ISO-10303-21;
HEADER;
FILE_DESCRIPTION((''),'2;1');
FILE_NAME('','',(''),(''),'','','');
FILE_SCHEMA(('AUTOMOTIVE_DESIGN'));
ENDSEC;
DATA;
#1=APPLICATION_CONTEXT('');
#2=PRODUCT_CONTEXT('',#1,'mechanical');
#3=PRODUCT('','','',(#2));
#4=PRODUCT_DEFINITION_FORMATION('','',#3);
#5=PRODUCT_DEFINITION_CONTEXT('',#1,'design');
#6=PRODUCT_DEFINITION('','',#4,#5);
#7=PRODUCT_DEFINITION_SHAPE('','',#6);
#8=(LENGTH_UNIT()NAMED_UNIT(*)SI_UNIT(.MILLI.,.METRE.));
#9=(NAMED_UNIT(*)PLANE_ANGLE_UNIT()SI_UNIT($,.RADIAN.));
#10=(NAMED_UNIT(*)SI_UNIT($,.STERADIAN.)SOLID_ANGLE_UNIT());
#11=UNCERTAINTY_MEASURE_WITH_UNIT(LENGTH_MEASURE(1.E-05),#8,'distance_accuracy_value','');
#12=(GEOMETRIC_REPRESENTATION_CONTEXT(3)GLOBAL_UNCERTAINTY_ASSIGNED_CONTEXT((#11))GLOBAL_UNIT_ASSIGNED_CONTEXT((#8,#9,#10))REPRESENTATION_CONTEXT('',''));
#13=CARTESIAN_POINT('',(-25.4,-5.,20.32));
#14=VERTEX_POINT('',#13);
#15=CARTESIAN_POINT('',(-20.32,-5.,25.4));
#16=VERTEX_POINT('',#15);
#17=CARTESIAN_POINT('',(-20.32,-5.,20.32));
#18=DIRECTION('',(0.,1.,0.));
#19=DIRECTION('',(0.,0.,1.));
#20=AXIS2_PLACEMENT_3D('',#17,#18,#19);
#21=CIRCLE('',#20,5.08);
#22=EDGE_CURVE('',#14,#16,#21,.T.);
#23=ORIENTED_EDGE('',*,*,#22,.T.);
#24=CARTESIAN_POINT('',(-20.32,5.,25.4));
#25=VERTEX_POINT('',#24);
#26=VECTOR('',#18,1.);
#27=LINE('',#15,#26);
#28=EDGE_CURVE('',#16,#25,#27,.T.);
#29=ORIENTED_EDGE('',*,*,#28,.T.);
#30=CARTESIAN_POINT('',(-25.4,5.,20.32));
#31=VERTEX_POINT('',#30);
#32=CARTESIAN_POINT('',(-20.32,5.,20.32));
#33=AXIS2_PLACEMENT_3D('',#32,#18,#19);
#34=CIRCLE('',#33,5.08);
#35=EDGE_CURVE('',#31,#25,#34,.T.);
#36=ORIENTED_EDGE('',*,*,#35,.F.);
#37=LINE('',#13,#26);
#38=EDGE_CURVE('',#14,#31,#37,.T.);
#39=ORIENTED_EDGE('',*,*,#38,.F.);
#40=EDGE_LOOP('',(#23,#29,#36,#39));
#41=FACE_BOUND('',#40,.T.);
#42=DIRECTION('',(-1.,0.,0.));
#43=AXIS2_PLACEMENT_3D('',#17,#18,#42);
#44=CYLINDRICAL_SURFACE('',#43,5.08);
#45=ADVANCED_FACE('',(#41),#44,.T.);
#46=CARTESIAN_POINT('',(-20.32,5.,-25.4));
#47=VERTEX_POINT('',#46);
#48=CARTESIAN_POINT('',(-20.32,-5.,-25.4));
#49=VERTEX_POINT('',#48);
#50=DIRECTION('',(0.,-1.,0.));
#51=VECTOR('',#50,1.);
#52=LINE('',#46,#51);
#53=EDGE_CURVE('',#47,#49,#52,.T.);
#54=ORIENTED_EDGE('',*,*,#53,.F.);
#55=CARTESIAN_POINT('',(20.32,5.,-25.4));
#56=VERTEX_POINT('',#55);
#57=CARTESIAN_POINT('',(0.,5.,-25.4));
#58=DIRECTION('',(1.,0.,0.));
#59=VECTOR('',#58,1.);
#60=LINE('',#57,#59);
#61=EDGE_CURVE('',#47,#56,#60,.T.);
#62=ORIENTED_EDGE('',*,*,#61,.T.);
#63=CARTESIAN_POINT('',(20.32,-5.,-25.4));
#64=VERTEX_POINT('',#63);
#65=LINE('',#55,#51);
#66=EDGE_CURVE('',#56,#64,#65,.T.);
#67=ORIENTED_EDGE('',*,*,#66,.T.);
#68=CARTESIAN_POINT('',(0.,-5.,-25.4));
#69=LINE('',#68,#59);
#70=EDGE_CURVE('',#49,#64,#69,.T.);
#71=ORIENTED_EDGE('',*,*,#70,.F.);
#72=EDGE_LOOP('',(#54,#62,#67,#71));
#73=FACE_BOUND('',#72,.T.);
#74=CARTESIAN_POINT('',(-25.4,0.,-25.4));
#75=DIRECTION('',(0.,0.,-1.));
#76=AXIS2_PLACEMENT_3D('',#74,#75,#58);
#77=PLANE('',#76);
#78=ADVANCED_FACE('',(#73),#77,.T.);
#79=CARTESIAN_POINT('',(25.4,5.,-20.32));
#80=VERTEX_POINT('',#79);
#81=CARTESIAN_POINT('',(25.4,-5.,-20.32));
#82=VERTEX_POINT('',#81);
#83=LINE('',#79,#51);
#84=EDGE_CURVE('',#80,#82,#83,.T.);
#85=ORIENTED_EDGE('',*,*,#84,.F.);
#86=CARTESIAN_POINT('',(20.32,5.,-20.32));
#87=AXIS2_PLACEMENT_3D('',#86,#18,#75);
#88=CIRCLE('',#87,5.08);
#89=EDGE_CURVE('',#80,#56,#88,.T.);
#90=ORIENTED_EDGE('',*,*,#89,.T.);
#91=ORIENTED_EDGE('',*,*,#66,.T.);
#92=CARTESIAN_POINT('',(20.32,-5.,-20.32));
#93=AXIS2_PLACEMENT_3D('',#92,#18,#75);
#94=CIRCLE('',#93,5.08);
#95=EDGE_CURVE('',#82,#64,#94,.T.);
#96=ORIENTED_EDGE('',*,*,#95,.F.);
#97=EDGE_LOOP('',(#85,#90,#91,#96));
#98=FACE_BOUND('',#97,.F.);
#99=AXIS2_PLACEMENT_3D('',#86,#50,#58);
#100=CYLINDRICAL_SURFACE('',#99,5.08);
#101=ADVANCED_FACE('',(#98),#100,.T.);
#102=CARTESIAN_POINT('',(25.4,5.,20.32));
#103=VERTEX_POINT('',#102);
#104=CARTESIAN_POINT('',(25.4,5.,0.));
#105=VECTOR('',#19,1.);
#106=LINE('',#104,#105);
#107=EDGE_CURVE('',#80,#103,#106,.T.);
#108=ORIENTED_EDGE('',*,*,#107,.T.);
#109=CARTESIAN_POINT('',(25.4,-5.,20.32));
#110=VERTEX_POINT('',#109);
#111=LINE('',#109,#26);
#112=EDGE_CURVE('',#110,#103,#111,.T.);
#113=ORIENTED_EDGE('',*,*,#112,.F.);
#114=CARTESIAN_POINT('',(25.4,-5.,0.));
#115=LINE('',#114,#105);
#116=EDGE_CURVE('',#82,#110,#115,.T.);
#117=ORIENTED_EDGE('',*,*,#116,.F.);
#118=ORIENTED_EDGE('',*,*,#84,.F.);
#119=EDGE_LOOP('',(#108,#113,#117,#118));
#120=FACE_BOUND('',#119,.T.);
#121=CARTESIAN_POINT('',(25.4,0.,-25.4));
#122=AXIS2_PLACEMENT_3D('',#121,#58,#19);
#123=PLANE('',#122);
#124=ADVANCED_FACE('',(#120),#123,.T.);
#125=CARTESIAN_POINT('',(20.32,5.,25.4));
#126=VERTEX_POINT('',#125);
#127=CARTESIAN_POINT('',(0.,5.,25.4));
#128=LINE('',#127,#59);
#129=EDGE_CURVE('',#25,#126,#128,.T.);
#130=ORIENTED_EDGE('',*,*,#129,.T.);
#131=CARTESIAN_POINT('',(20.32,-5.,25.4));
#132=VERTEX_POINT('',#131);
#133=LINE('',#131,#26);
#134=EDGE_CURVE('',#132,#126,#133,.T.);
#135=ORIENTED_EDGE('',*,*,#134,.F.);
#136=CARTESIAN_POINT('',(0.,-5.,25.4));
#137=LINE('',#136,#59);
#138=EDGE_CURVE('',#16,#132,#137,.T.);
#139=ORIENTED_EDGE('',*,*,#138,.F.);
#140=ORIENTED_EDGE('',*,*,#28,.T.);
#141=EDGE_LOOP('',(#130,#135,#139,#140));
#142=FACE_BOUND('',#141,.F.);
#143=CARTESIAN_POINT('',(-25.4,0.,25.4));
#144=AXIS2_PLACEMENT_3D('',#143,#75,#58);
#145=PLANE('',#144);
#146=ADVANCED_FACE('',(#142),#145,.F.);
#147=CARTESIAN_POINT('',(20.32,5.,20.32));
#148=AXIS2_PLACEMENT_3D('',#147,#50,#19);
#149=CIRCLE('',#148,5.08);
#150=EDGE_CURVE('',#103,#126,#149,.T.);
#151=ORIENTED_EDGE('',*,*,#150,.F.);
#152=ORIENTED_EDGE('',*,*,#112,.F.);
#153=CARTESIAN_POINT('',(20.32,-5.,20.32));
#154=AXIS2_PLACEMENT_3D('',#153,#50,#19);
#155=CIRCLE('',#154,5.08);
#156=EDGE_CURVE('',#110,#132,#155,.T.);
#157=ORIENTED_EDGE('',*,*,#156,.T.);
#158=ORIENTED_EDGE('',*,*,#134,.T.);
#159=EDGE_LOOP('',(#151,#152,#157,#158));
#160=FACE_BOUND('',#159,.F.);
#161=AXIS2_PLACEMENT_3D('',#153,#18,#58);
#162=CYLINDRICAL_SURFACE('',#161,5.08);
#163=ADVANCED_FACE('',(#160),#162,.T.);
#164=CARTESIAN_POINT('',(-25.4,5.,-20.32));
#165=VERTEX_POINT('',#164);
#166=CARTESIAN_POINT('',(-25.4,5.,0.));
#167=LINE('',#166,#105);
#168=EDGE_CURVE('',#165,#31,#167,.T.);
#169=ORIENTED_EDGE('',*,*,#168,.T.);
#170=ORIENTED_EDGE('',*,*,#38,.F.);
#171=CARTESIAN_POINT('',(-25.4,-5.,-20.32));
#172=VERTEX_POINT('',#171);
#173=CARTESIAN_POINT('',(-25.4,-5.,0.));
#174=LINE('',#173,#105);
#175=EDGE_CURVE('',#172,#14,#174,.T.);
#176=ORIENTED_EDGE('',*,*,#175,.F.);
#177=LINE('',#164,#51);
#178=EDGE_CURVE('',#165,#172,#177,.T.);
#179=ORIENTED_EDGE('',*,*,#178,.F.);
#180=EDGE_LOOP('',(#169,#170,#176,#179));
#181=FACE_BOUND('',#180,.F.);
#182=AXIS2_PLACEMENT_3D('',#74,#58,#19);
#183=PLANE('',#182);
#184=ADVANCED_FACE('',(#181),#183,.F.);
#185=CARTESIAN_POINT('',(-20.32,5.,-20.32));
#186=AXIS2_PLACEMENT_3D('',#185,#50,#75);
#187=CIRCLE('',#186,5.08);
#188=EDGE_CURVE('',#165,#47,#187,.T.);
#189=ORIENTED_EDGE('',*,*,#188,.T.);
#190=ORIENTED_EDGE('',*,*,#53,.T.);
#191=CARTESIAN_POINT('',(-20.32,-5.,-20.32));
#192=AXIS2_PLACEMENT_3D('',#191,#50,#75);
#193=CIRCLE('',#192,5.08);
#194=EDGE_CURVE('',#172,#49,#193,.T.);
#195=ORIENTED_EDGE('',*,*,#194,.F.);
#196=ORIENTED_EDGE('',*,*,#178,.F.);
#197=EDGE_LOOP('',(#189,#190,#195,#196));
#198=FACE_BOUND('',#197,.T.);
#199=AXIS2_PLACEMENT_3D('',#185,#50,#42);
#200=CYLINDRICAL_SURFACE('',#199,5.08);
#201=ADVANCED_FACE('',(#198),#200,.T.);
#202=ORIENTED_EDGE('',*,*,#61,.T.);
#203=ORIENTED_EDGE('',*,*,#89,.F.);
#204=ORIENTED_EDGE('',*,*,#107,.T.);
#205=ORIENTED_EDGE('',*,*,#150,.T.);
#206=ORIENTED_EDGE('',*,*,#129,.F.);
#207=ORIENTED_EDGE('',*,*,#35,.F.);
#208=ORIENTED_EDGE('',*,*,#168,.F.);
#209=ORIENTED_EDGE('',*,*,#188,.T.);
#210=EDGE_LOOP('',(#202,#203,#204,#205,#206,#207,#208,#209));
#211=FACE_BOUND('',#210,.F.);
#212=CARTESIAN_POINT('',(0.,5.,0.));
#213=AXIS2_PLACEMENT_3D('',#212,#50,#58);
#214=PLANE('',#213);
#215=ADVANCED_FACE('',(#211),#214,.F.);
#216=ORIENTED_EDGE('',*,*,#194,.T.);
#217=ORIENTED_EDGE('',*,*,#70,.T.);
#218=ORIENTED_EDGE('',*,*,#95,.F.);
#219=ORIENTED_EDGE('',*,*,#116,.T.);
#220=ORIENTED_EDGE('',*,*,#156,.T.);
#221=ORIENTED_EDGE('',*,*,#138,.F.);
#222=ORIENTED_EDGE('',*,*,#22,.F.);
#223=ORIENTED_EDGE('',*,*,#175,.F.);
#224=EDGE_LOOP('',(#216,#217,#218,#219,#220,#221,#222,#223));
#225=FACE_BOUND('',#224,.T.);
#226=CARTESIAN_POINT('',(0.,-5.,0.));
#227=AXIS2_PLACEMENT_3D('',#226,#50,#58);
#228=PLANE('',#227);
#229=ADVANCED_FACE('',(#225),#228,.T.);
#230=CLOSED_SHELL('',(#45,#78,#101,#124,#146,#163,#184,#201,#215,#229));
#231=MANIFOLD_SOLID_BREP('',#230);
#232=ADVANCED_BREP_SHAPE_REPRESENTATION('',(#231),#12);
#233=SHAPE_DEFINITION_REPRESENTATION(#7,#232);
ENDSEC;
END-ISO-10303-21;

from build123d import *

# Parameters (mm, degrees)
F0_W          = 50.8
F0_H          = 50.8
F1_DEPTH      = 5
F1_DEPTH_BACK = 5
F2_R          = 5.08


with BuildPart() as f1:
    # F0 (on Front) → F1 (new body, two sides)
    with BuildSketch(Plane.XZ) as f1_sk:
        Rectangle(F0_W, F0_H)
    extrude(amount=F1_DEPTH)
    extrude(f1_sk.sketch, amount=-F1_DEPTH_BACK)

    # F2
    f2_edges = [f1.edges().sort_by_distance(p)[0] for p in [
        (25.4, 0, 25.4),
        (-25.4, 0, 25.4),
        (25.4, 0, -25.4),
        (-25.4, 0, -25.4),
    ]]
    fillet(f2_edges, radius=F2_R)


solid = f1.part
